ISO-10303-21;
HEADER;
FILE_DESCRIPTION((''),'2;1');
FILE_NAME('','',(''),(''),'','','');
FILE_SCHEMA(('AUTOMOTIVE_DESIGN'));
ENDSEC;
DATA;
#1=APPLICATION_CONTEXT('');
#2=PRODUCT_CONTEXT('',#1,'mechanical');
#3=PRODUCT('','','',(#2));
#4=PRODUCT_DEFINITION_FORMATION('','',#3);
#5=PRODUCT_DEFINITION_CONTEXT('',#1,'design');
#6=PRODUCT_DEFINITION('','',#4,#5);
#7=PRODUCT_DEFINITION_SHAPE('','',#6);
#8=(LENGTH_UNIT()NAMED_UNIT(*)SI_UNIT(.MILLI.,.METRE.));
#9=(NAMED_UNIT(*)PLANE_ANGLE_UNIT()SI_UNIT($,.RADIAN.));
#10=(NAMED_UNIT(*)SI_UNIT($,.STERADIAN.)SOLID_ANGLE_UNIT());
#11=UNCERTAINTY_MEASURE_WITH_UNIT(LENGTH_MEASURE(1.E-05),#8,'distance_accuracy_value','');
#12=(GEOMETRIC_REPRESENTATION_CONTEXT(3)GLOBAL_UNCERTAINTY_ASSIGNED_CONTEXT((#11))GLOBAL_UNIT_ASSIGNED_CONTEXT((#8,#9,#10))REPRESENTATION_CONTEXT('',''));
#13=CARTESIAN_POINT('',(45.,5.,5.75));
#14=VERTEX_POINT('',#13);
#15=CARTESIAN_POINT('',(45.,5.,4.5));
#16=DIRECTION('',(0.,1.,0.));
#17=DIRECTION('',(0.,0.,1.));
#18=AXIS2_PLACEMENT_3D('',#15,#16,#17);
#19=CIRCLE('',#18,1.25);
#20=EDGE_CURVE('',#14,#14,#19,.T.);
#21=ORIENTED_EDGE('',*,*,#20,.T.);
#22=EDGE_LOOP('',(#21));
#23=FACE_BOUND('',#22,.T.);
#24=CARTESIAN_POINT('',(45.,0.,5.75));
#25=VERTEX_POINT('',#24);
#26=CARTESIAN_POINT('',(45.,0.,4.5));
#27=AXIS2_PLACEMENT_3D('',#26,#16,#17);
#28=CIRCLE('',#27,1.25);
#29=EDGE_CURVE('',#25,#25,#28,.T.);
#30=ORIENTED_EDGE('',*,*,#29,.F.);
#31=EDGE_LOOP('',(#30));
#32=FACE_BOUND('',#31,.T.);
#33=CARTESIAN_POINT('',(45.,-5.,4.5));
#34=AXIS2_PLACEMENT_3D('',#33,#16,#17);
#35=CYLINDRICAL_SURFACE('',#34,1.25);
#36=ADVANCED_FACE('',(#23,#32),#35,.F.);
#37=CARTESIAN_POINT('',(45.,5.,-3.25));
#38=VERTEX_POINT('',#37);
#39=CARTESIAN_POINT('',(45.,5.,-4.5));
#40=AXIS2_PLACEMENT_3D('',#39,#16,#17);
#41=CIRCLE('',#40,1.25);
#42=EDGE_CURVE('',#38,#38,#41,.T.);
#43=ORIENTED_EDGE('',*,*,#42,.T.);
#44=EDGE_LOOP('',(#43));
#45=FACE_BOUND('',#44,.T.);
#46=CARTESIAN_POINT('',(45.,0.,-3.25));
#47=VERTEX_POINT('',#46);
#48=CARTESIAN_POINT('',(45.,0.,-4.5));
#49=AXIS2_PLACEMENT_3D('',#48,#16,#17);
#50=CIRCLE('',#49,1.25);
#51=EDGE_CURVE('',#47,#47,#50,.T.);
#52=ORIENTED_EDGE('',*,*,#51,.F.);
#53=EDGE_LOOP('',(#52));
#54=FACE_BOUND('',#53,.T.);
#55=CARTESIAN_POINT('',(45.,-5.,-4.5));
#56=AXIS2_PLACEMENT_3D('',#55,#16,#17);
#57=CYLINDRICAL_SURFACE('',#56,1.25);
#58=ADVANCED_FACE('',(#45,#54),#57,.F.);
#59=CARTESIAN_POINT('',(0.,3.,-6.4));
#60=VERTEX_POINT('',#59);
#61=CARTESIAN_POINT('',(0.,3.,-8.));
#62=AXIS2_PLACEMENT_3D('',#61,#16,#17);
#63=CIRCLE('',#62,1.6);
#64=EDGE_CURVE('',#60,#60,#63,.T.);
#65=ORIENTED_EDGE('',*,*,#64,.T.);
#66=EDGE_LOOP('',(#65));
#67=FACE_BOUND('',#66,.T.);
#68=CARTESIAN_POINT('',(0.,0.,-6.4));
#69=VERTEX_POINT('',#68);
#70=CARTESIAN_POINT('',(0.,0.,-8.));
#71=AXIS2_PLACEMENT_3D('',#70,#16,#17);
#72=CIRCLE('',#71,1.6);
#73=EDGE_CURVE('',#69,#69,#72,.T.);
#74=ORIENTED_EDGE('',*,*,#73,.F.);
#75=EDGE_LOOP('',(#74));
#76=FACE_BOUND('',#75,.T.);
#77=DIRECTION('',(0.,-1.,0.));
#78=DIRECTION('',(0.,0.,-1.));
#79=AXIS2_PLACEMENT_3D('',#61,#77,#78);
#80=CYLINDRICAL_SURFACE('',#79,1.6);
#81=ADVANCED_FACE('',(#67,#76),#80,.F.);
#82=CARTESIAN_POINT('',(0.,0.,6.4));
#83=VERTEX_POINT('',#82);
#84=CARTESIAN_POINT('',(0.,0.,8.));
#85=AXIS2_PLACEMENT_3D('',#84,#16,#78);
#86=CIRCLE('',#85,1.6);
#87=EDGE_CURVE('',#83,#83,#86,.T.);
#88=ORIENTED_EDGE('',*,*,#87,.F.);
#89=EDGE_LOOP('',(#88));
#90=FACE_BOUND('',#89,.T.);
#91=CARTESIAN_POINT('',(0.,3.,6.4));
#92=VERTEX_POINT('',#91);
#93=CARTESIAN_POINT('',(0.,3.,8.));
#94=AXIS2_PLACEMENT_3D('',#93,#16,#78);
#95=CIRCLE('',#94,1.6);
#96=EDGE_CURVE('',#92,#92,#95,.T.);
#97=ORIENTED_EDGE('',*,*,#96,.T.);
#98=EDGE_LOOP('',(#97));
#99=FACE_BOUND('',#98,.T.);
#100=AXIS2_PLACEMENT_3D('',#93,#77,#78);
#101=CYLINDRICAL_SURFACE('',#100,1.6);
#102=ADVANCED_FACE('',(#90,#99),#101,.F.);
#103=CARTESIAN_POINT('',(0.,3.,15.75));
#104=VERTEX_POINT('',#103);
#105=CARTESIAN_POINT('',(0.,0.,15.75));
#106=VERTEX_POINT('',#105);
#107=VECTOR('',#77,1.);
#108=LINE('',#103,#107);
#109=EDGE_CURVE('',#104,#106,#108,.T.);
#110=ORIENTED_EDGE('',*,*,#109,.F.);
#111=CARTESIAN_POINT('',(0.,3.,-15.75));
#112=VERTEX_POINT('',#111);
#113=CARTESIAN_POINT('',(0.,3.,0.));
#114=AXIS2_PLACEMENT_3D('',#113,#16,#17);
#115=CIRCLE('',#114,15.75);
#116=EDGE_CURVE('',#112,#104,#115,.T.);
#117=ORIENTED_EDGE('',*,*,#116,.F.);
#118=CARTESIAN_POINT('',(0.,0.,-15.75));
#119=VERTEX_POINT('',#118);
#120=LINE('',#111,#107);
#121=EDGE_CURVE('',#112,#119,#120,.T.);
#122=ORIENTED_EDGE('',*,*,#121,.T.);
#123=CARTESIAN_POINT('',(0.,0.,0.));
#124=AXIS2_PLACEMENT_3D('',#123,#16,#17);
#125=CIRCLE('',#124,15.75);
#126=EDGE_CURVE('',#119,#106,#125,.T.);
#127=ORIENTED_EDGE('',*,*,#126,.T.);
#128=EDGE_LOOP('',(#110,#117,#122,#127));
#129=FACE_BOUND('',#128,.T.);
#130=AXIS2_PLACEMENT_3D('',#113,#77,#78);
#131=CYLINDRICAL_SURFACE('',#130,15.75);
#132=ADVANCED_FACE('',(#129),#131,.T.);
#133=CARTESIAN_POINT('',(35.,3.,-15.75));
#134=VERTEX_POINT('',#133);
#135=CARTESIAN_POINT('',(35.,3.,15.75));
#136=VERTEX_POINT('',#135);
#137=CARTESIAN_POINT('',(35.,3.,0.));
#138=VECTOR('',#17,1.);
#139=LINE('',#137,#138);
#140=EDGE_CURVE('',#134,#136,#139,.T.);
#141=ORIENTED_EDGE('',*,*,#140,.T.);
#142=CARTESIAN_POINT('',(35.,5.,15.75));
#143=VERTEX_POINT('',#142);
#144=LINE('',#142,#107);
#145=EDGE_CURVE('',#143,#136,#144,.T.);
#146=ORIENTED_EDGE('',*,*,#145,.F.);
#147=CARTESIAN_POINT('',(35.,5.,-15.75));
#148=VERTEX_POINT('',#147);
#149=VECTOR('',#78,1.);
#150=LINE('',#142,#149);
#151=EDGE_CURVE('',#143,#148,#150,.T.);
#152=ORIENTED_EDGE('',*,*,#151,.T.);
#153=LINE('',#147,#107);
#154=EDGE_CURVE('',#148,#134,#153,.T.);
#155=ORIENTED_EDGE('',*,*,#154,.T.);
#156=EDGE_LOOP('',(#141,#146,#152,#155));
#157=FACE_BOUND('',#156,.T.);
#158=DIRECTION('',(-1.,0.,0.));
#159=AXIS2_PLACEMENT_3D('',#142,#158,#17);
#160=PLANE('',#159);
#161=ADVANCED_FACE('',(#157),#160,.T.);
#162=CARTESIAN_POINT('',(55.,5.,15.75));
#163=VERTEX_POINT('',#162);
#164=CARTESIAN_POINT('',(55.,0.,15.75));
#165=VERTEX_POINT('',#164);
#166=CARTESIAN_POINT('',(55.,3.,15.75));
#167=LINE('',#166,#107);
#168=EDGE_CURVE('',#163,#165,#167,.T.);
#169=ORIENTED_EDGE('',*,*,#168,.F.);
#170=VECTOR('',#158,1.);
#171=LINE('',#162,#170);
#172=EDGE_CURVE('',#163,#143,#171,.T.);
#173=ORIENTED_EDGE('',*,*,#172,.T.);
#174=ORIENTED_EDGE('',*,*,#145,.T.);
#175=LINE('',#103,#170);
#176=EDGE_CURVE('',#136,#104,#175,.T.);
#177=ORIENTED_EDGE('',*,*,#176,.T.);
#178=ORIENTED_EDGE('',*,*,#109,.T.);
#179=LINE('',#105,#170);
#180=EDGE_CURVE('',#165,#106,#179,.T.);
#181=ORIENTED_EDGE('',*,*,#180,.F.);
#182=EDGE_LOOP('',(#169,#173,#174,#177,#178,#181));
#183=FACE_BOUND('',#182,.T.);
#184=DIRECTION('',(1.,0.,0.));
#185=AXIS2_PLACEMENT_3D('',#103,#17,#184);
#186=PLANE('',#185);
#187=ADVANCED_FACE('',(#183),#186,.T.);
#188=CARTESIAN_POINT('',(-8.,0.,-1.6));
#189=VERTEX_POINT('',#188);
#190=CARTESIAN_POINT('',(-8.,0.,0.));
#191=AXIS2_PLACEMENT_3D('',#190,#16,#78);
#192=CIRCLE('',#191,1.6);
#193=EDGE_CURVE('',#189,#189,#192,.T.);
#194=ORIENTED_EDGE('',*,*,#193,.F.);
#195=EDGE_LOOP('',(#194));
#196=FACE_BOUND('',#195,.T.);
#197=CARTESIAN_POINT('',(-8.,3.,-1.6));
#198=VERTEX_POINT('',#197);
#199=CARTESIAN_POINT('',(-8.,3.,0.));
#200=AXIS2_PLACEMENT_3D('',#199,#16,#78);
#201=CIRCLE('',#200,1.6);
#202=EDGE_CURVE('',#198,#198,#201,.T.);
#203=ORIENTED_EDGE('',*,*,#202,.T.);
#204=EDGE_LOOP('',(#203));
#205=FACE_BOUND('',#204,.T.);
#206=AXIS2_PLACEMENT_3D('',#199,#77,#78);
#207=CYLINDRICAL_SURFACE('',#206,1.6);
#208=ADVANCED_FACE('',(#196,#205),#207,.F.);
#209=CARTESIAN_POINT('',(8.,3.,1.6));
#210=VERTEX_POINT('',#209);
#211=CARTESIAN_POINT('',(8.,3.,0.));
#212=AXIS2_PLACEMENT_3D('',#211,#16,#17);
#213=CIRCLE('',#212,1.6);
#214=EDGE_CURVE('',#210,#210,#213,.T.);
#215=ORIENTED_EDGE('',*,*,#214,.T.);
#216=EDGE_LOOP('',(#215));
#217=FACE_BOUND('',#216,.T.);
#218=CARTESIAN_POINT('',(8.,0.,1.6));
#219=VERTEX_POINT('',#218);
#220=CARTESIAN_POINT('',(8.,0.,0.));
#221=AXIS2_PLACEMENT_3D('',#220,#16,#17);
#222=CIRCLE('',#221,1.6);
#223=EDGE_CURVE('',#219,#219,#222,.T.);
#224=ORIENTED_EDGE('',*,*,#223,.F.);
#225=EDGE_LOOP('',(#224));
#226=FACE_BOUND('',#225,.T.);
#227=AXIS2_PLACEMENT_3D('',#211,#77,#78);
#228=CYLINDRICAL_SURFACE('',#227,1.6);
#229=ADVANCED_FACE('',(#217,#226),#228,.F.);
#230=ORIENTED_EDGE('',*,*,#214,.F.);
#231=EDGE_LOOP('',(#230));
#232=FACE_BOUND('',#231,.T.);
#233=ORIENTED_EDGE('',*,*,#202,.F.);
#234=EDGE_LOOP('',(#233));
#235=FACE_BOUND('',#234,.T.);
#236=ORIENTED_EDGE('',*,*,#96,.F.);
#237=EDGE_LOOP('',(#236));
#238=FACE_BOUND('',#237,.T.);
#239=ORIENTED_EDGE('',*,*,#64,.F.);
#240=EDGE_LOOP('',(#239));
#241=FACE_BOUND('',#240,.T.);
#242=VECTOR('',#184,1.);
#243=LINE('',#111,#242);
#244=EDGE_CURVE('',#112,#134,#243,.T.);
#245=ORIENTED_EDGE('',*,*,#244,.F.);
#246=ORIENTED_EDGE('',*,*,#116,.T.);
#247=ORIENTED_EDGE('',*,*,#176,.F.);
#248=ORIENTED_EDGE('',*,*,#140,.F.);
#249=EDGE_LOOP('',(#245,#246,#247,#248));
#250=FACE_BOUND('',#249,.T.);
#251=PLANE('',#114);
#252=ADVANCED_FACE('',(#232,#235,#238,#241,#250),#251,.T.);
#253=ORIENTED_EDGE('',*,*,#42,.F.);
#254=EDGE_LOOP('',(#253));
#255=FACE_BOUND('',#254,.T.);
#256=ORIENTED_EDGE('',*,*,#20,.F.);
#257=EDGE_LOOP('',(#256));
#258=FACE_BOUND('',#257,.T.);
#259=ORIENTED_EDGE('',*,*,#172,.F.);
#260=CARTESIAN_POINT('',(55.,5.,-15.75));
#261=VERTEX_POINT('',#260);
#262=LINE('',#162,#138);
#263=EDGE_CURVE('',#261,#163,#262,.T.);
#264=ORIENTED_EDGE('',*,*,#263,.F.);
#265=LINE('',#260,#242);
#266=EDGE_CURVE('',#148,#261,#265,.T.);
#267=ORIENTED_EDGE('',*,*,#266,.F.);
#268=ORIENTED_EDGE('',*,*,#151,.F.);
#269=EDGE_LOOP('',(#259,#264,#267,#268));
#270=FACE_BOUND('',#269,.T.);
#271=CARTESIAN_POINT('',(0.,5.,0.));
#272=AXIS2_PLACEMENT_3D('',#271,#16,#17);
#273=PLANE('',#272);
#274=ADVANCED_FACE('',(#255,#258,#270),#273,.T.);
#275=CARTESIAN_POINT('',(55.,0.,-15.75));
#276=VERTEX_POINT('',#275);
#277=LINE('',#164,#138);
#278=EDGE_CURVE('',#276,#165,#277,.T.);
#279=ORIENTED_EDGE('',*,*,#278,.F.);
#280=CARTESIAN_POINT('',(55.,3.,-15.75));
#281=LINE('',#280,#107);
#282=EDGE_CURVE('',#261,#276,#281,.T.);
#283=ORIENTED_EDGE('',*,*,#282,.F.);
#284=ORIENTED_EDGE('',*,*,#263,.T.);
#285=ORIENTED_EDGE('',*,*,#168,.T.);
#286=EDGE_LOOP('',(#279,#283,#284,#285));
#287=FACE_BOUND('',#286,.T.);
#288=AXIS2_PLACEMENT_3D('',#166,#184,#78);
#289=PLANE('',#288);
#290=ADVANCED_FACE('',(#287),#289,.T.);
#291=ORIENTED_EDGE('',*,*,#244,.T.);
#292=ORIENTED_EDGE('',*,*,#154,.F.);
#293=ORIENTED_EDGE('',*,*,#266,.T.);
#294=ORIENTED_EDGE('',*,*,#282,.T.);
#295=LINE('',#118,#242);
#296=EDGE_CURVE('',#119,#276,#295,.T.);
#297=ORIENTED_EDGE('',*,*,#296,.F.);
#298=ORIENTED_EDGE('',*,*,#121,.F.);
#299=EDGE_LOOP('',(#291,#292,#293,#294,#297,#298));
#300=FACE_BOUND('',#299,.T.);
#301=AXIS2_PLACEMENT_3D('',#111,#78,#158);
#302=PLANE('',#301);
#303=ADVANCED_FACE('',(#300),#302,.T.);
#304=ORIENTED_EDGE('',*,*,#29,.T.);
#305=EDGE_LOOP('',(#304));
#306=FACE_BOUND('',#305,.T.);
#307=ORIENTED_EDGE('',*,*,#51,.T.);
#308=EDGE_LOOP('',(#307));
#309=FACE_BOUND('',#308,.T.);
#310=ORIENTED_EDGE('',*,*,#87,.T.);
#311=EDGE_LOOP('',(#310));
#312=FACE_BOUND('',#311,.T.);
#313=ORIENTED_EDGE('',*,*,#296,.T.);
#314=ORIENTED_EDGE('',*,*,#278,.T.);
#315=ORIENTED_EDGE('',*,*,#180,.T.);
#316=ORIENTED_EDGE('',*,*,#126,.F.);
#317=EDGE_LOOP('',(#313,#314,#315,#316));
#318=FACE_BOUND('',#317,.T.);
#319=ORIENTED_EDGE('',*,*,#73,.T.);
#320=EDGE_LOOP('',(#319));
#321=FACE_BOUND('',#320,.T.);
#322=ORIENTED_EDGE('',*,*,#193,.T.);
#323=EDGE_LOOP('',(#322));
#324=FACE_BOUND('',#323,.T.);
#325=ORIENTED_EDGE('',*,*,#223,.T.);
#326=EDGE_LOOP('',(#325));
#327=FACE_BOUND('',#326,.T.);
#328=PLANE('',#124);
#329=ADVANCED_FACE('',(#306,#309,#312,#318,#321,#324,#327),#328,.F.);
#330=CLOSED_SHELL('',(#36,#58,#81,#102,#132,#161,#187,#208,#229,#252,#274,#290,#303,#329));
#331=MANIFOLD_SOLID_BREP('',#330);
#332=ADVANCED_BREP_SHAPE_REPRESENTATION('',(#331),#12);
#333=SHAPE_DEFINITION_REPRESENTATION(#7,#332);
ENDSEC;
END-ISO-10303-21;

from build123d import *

# Parameters (mm, degrees)
SKETCH_1_R          = 15.75
SKETCH_1_R_2        = 1.6
EXTRUDE_1_DEPTH     = 3
EXTRUDE_2_DEPTH     = 3
SKETCH_3_W          = 20
SKETCH_3_H          = 31.5
EXTRUDE_3_DEPTH     = 5
SKETCH_4_R          = 1.25
CUT_EXTRUDE_1_DEPTH = 10


with BuildPart() as part:
    # 草图1 → 凸台-拉伸1 (new body)
    with BuildSketch(Plane(origin=(0, 0, 0), x_dir=(1, 0, 0), z_dir=(0, 1, 0))):
        Circle(SKETCH_1_R)
        with Locations((0, 8)):
            Circle(SKETCH_1_R_2, mode=Mode.SUBTRACT)
        with Locations((8, 0)):
            Circle(SKETCH_1_R_2, mode=Mode.SUBTRACT)
        with Locations((0, -8)):
            Circle(SKETCH_1_R_2, mode=Mode.SUBTRACT)
        with Locations((-8, 0)):
            Circle(SKETCH_1_R_2, mode=Mode.SUBTRACT)
    extrude(amount=EXTRUDE_1_DEPTH)

    # 草图2 → 凸台-拉伸2 (add)
    with BuildSketch(Plane.XZ):
        with BuildLine():
            Line((0, 15.75), (55, 15.75))
            Line((55, 15.75), (55, -15.75))
            Line((55, -15.75), (0, -15.75))
            ThreePointArc((0, -15.75), (15.75, 0), (0, 15.75))
        make_face()
    extrude(amount=-EXTRUDE_2_DEPTH)

    # 草图3 → 凸台-拉伸3 (add)
    with BuildSketch(Plane.XZ):
        with Locations((45, 0)):
            Rectangle(SKETCH_3_W, SKETCH_3_H)
    extrude(amount=-EXTRUDE_3_DEPTH)

    # 草图4 → 切除-拉伸1 (cut)
    with BuildSketch(Plane(origin=(0, 5, 0), x_dir=(1, 0, 0), z_dir=(0, 1, 0))):
        with Locations((45, 4.5)):
            Circle(SKETCH_4_R)
        with Locations((45, -4.5)):
            Circle(SKETCH_4_R)
    extrude(amount=-CUT_EXTRUDE_1_DEPTH, mode=Mode.SUBTRACT)


solid = part.part
